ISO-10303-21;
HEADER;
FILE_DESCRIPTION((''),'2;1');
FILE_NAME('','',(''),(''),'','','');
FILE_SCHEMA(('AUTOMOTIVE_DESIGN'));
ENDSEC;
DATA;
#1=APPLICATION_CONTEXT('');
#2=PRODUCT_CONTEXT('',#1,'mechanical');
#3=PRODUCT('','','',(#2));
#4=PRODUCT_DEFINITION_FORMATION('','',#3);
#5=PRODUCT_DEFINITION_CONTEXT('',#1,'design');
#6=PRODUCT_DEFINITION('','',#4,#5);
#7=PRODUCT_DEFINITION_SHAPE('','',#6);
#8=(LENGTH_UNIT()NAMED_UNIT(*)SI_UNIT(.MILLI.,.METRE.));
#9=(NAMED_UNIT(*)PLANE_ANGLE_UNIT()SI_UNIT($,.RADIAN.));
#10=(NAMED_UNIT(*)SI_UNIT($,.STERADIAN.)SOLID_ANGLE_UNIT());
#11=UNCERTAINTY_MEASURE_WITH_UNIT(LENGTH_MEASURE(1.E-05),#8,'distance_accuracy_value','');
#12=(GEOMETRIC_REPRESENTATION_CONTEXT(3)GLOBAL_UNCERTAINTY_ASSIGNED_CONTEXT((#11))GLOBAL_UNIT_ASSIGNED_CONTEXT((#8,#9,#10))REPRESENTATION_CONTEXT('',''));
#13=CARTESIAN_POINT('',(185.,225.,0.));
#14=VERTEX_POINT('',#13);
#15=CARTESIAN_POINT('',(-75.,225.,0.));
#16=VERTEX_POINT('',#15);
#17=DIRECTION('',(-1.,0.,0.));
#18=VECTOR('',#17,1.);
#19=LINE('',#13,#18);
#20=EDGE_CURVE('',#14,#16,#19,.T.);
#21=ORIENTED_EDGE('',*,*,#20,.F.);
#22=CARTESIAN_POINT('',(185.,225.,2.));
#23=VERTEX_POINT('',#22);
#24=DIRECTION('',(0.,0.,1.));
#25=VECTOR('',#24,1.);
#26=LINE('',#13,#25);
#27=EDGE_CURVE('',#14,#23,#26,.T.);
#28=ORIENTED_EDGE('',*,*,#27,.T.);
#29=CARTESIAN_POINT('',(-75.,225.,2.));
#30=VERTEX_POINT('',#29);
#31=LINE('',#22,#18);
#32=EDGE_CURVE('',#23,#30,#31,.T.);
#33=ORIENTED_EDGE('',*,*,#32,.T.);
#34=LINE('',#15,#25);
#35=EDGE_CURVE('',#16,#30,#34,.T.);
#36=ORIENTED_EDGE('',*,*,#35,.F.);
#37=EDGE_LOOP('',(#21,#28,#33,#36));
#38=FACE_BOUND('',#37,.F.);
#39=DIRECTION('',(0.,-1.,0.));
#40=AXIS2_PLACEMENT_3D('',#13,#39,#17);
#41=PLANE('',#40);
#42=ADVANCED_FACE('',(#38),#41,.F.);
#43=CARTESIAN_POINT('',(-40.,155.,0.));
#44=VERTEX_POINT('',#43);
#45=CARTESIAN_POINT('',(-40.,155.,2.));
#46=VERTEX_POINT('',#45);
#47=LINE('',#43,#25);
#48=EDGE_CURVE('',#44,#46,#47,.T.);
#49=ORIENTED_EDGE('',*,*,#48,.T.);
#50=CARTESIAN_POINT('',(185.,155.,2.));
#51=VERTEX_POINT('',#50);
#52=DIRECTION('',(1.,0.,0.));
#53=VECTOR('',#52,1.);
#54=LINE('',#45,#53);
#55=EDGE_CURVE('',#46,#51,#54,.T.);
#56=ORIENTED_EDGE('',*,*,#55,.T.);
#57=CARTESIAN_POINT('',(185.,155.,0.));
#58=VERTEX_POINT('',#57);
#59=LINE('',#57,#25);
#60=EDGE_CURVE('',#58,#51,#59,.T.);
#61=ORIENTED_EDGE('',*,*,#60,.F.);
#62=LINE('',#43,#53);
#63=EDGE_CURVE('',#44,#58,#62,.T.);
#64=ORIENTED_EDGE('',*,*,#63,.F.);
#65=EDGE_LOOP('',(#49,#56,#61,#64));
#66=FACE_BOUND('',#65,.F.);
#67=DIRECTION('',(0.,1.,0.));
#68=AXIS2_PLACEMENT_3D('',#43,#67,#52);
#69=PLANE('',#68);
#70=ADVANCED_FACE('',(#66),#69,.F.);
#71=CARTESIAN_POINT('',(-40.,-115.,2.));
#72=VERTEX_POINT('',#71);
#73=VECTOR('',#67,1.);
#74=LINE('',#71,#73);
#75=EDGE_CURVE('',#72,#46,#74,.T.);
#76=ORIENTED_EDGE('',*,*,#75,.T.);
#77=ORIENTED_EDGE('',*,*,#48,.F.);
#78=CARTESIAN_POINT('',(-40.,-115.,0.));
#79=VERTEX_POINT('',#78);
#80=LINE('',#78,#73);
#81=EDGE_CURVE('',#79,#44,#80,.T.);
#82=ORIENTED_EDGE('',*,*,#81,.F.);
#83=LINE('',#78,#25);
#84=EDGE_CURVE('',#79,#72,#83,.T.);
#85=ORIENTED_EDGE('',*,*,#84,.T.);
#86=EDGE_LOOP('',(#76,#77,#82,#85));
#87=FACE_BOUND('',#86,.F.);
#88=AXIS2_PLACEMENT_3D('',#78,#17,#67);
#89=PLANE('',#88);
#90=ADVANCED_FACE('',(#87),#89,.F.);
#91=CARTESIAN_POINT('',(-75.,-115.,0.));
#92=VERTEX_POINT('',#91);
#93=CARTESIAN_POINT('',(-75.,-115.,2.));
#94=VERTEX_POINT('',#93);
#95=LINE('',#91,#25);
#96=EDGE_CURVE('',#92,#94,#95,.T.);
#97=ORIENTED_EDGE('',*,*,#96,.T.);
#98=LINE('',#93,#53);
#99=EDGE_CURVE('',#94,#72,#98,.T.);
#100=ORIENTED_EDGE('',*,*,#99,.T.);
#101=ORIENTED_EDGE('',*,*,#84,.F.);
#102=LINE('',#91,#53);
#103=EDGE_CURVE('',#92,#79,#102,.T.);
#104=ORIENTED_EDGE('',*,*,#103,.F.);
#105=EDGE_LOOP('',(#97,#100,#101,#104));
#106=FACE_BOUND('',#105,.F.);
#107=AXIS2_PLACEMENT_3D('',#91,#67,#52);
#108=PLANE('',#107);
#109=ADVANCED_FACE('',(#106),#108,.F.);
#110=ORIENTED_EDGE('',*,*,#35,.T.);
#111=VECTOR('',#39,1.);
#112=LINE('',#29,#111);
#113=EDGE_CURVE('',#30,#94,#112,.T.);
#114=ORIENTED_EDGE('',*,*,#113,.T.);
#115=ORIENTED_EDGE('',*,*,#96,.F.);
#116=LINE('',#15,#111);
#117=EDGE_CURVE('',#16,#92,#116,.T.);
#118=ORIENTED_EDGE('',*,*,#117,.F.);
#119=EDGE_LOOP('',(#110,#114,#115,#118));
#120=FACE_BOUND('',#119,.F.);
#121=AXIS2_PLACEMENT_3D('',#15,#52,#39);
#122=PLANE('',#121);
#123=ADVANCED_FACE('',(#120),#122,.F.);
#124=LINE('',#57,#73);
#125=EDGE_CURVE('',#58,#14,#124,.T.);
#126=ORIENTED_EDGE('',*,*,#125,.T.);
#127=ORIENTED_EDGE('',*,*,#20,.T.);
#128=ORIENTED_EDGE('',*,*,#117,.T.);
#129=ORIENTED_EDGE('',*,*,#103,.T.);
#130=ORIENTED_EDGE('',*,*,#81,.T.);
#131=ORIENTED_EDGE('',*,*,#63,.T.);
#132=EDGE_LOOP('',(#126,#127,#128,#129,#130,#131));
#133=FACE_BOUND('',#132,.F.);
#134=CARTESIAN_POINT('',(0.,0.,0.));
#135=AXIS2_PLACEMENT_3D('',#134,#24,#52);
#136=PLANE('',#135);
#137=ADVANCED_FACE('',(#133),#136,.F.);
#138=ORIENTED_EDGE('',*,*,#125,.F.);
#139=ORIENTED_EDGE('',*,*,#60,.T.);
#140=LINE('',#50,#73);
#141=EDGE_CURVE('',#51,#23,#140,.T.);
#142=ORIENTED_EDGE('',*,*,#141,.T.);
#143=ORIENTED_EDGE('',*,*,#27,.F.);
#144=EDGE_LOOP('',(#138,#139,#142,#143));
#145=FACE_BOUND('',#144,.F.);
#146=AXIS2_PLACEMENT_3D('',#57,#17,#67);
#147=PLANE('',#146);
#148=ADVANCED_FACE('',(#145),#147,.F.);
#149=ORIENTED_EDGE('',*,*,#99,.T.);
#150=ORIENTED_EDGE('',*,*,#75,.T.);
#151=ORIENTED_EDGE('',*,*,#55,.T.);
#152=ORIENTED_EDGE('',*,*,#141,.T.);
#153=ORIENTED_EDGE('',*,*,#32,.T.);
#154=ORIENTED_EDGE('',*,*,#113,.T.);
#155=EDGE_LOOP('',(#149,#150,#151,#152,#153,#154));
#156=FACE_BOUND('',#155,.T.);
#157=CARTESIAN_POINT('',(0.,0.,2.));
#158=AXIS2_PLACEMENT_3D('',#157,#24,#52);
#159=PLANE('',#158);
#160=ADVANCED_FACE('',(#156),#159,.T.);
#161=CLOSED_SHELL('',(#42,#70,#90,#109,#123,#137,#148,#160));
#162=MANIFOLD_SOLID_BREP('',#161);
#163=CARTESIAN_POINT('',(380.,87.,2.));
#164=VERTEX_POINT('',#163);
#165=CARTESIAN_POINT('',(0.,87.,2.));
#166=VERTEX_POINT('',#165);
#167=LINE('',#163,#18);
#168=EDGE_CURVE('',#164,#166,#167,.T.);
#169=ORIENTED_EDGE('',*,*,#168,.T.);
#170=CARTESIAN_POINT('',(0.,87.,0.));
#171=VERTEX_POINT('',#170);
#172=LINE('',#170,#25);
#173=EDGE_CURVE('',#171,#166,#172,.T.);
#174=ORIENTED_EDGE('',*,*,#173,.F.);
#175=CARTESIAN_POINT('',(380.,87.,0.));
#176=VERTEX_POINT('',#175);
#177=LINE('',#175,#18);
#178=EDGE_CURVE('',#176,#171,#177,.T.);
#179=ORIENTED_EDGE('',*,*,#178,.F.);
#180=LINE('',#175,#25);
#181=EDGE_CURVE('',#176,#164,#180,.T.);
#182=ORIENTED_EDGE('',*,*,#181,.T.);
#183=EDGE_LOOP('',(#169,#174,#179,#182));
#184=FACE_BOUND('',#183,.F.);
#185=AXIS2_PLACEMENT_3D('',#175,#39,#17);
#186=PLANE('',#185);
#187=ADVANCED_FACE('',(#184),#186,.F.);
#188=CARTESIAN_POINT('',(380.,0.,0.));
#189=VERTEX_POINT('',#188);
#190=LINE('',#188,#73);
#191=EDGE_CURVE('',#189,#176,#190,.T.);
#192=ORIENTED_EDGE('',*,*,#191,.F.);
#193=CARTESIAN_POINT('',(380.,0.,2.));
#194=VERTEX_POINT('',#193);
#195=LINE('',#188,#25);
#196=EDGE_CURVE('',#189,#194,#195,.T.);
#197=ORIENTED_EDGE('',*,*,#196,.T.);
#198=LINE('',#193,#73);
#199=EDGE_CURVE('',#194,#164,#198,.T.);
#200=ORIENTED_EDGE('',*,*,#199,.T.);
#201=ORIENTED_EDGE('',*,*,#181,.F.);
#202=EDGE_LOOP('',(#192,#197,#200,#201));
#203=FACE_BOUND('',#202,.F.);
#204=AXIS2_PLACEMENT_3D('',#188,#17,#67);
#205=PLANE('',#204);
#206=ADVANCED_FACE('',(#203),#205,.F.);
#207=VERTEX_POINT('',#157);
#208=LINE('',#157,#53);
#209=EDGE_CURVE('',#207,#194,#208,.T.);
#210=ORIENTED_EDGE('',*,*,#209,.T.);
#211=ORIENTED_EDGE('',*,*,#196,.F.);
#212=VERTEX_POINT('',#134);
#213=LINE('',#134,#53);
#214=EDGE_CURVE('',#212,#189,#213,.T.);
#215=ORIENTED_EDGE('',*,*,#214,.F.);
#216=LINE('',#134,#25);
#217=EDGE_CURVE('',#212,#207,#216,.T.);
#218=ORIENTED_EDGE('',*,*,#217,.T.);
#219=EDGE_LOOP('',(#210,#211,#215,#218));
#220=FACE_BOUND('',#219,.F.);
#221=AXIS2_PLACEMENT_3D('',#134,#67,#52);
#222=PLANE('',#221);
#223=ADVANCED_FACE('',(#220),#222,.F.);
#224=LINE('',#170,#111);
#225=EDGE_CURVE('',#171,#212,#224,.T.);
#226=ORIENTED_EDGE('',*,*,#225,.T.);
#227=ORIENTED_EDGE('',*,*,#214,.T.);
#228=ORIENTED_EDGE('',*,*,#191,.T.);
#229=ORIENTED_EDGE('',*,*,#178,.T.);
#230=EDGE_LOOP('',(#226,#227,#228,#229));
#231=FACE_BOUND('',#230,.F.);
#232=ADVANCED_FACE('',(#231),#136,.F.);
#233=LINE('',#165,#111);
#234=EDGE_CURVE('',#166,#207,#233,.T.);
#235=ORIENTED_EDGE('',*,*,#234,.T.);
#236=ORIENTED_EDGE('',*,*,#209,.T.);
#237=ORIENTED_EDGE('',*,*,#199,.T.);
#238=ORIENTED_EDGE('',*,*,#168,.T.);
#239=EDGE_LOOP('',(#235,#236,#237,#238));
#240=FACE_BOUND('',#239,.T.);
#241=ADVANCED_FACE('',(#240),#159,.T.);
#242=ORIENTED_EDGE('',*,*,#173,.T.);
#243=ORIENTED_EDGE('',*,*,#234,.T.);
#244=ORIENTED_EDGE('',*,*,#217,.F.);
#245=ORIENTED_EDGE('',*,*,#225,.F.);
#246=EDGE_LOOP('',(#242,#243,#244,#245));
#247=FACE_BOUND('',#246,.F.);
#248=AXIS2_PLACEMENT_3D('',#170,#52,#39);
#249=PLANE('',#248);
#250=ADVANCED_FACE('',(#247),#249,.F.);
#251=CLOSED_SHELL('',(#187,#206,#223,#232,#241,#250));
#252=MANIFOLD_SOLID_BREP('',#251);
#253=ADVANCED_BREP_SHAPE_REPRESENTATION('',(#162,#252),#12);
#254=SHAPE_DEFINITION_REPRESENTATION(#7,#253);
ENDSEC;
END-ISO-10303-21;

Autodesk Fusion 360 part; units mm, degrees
sketch "Sketch1" plane through (0, 0, 0) normal (0, 0, 1) x (1, 0, 0) in component "Bin lid"
  line L0 (0, 0) -> (380, 0)
  line L1 (380, 0) -> (380, 87)
  line L2 (380, 87) -> (0, 87)
  line L3 (0, 87) -> (0, 0)
  dimension "d1" = 380
  dimension "d2" = 87
extrude "Extrude1" add sketch "Sketch1" along normal blind 2 makes body 1 in component "Bin lid"
sketch "Sketch1 (2)" plane through (0, 0, 0) normal (0, 0, 1) x (1, 0, 0) in component "Bin guide"
  line L0 (-75, 225) -> (-75, -115)
  line L1 (185, 225) -> (-75, 225)
  line L2 (185, 155) -> (185, 225)
  line L3 (-40, -115) -> (-40, 155)
  line L4 (-40, 155) -> (185, 155)
  line L5 (-75, -115) -> (-40, -115)
extrude "Extrude1'" add sketch "Sketch1 (2)" along normal blind 2 separate body makes body 2 in component "Bin guide"
component "Bin lid" placed x (1, 0, 0) y (0, 1, 0) z (0, 0, 1) at (0, 0, 0)
component "Bin guide" placed x (1, 0, 0) y (0, 1, 0) z (0, 0, 1) at (0, 0, 0)
